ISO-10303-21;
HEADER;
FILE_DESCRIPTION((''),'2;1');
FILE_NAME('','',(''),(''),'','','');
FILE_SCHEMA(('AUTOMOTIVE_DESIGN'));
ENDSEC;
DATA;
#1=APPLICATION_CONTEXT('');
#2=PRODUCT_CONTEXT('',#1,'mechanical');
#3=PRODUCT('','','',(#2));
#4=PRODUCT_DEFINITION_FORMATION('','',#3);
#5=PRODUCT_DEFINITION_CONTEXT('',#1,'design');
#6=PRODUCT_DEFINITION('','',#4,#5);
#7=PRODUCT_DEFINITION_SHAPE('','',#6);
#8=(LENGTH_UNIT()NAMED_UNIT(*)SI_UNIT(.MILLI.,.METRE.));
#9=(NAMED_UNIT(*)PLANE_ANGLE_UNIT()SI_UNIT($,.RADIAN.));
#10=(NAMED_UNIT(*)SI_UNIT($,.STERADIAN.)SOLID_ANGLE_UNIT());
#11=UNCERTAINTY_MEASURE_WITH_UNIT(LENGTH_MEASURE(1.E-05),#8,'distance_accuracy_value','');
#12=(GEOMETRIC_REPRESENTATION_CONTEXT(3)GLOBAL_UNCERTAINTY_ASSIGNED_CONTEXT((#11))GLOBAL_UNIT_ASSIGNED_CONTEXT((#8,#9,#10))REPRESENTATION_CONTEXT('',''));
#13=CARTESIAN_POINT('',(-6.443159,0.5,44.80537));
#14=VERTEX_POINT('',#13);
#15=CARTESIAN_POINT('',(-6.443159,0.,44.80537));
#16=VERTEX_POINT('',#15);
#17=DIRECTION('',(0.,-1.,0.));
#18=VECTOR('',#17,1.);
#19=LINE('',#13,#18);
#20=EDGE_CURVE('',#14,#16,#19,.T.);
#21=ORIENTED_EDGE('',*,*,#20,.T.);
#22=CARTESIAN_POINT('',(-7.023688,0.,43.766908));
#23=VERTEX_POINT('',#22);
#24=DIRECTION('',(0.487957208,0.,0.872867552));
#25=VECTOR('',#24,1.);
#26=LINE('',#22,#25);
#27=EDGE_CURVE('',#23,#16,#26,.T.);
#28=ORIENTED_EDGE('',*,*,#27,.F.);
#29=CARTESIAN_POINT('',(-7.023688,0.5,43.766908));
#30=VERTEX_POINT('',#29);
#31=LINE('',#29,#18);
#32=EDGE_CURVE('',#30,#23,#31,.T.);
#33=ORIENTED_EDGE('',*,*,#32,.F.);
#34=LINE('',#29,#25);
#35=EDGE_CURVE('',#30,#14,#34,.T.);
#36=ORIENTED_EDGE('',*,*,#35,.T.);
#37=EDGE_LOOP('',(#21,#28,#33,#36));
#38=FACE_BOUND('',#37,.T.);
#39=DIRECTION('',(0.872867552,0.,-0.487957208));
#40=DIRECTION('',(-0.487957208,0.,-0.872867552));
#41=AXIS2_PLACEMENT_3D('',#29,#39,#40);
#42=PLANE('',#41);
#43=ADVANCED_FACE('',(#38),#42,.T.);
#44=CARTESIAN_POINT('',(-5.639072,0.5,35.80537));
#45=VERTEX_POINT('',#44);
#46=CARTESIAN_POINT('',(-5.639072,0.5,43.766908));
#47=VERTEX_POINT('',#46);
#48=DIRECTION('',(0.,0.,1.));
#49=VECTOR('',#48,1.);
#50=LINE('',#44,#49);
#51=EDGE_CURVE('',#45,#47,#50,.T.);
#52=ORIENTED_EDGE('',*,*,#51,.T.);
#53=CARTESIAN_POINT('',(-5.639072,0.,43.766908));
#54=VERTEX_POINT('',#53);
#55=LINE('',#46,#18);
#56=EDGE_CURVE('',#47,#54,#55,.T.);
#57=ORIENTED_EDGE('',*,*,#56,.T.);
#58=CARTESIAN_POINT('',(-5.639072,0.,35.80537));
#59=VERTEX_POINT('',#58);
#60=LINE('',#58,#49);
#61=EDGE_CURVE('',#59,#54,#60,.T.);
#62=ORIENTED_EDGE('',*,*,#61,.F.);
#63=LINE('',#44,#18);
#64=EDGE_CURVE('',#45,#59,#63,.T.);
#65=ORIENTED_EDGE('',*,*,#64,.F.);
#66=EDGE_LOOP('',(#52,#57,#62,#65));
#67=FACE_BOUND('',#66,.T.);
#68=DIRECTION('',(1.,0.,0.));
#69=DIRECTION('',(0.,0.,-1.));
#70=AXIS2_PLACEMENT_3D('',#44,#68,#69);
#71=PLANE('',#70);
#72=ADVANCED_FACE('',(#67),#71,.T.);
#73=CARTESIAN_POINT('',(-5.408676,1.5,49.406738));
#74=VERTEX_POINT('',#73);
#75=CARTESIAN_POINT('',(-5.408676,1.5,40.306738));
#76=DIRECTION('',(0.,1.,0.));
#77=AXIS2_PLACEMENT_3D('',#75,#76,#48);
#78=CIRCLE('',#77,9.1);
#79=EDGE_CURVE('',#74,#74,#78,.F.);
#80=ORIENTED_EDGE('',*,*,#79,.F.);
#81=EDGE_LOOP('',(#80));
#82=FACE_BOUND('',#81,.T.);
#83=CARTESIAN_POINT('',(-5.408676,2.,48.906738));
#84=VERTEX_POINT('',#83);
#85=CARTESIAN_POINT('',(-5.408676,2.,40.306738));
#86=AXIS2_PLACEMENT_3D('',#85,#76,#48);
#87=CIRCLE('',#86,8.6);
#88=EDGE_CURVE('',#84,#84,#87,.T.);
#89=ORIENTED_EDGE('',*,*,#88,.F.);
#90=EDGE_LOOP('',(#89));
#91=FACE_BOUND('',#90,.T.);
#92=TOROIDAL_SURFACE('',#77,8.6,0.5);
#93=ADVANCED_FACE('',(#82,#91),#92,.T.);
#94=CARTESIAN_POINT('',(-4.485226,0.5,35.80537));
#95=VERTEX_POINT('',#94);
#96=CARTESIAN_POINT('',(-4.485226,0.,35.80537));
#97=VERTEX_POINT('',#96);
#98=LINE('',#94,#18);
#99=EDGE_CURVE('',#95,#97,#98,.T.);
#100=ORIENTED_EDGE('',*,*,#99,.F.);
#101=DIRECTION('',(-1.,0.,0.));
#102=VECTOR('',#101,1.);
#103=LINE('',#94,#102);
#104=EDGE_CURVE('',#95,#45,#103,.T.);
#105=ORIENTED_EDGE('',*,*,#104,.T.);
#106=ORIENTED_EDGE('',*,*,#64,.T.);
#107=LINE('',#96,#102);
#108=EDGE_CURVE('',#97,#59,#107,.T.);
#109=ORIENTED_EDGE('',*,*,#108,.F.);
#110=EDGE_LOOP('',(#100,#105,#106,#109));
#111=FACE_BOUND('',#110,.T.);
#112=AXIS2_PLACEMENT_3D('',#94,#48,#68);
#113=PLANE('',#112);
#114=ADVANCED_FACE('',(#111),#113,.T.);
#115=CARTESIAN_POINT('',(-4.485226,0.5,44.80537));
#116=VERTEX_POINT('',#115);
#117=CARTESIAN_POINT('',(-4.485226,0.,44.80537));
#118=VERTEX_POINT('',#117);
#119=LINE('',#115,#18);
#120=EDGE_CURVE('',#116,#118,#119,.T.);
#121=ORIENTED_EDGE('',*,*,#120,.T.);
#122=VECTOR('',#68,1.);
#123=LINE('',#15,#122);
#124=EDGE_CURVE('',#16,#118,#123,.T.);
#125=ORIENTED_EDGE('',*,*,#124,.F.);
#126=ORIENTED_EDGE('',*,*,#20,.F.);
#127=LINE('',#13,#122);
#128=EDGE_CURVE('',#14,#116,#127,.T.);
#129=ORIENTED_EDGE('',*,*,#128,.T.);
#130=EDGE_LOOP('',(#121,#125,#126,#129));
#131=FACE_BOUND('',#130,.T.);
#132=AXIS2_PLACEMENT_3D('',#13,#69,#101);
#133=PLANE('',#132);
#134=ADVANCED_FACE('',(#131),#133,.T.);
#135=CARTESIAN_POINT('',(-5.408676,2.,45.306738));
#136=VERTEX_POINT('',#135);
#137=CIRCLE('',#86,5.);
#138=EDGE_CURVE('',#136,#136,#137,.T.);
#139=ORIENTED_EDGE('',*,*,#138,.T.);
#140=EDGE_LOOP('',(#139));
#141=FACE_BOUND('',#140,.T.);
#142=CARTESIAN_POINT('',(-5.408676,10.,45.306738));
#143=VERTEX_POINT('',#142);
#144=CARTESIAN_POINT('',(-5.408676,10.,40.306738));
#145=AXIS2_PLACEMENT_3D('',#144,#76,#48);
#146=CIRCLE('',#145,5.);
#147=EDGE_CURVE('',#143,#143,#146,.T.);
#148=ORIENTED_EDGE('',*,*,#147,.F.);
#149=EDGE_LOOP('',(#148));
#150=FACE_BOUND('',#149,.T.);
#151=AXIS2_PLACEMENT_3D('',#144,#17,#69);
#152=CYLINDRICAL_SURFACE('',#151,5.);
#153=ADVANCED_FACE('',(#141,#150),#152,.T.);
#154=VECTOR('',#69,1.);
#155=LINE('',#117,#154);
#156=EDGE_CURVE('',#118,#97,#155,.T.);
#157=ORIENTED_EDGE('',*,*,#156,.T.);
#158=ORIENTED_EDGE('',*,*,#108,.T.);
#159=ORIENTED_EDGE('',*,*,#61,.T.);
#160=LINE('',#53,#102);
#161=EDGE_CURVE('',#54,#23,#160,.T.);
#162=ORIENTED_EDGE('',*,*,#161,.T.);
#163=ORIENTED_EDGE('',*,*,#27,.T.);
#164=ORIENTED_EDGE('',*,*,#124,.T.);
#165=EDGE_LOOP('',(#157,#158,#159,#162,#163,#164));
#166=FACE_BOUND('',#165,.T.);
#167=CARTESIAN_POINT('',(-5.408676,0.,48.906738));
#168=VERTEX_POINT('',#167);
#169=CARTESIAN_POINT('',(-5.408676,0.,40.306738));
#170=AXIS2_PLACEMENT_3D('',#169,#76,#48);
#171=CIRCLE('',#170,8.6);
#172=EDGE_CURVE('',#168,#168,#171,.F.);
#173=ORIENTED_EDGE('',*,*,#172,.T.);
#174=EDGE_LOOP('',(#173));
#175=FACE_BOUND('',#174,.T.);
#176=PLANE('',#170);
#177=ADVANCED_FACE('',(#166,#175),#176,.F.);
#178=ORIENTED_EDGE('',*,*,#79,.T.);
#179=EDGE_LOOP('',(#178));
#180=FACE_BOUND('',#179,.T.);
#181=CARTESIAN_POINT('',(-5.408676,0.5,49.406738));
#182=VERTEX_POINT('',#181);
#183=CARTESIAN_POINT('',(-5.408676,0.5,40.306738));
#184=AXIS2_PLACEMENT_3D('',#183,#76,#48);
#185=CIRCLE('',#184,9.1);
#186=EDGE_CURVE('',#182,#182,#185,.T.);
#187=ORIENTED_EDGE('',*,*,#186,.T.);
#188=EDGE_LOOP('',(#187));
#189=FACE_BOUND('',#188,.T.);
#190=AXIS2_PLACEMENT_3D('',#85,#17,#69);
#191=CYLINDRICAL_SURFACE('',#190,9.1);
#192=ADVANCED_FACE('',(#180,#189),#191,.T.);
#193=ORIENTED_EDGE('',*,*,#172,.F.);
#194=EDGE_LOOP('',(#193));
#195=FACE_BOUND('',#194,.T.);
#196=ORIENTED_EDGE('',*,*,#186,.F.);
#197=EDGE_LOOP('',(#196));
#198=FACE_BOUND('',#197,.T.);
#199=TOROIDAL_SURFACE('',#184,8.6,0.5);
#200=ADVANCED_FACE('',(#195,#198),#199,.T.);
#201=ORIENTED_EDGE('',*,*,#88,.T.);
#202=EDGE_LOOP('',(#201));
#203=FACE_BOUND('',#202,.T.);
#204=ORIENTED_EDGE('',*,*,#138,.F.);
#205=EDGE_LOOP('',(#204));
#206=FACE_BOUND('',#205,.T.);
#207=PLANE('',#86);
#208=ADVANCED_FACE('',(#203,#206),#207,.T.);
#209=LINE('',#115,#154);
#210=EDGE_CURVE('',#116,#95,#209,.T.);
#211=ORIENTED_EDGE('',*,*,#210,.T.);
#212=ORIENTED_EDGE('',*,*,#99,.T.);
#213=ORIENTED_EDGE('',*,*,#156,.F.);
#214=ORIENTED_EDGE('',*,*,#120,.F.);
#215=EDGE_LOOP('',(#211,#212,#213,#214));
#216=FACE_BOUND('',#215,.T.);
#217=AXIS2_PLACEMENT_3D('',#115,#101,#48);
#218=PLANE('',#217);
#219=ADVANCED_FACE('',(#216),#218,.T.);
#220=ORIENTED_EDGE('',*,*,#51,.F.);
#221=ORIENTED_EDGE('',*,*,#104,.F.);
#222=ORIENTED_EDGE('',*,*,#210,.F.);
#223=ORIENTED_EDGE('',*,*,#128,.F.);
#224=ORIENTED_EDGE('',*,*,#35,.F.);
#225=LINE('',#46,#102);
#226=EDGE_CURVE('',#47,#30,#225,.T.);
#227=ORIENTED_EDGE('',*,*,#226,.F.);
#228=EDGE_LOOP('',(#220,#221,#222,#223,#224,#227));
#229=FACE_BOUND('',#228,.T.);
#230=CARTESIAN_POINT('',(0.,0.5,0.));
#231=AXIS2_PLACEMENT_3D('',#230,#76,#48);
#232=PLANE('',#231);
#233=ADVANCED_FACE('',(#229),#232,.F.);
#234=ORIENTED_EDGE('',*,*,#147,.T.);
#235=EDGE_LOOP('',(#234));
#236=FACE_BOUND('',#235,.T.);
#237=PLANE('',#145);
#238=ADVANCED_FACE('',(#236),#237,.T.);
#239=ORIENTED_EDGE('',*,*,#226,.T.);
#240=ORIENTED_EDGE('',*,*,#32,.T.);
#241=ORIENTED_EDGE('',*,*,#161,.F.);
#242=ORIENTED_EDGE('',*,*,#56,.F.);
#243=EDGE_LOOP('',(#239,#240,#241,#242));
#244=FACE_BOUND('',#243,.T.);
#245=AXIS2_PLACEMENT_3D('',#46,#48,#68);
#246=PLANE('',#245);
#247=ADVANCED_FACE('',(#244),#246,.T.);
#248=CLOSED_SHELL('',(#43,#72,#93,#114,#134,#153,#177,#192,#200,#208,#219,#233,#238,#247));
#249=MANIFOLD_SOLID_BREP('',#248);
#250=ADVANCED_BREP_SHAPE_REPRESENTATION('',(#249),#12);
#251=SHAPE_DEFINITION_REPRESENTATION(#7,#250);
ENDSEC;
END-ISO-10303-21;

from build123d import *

# Parameters (mm, degrees)
SKETCH1_R           = 9.1
BOSS_EXTRUDE5_DEPTH = 2
SKETCH4_R           = 5
BOSS_EXTRUDE6_DEPTH = 8
CUT_EXTRUDE2_DEPTH  = 0.5
FILLET1_R           = 0.5


with BuildPart() as part:
    # Sketch1 → Boss-Extrude5 (new body)
    with BuildSketch(Plane(origin=(0, 0, 0), x_dir=(1, 0, 0), z_dir=(0, 1, 0))):
        with Locations(Location((-5.408676197, -40.3067379, 0), (0, 0, 270))):
            Circle(SKETCH1_R)
    extrude(amount=BOSS_EXTRUDE5_DEPTH)

    # Sketch4 → Boss-Extrude6 (add)
    with BuildSketch(Plane(origin=(0, 2, 0), x_dir=(1, 0, 0), z_dir=(0, 1, 0))):
        with Locations(Location((-5.408676197, -40.3067379, 0), (0, 0, 270))):
            Circle(SKETCH4_R)
    extrude(amount=BOSS_EXTRUDE6_DEPTH)

    # Sketch5 → Cut-Extrude2 (cut)
    with BuildSketch(Plane.XZ):
        Polygon((-6.443159021, 44.805369713), (-4.485226328, 44.805369713), (-4.485226328, 35.805369713), (-5.639072482, 35.805369713), (-5.639072482, 43.766908174), (-7.023687867, 43.766908174), align=None)
    extrude(amount=-CUT_EXTRUDE2_DEPTH, mode=Mode.SUBTRACT)

    # Fillet1
    fillet1_edges = [part.edges().sort_by_distance(p)[0] for p in [
        (-5.408676197, 0, 31.2067379),
        (-5.408676197, 2, 31.2067379),
    ]]
    fillet(fillet1_edges, radius=FILLET1_R)


solid = part.part
